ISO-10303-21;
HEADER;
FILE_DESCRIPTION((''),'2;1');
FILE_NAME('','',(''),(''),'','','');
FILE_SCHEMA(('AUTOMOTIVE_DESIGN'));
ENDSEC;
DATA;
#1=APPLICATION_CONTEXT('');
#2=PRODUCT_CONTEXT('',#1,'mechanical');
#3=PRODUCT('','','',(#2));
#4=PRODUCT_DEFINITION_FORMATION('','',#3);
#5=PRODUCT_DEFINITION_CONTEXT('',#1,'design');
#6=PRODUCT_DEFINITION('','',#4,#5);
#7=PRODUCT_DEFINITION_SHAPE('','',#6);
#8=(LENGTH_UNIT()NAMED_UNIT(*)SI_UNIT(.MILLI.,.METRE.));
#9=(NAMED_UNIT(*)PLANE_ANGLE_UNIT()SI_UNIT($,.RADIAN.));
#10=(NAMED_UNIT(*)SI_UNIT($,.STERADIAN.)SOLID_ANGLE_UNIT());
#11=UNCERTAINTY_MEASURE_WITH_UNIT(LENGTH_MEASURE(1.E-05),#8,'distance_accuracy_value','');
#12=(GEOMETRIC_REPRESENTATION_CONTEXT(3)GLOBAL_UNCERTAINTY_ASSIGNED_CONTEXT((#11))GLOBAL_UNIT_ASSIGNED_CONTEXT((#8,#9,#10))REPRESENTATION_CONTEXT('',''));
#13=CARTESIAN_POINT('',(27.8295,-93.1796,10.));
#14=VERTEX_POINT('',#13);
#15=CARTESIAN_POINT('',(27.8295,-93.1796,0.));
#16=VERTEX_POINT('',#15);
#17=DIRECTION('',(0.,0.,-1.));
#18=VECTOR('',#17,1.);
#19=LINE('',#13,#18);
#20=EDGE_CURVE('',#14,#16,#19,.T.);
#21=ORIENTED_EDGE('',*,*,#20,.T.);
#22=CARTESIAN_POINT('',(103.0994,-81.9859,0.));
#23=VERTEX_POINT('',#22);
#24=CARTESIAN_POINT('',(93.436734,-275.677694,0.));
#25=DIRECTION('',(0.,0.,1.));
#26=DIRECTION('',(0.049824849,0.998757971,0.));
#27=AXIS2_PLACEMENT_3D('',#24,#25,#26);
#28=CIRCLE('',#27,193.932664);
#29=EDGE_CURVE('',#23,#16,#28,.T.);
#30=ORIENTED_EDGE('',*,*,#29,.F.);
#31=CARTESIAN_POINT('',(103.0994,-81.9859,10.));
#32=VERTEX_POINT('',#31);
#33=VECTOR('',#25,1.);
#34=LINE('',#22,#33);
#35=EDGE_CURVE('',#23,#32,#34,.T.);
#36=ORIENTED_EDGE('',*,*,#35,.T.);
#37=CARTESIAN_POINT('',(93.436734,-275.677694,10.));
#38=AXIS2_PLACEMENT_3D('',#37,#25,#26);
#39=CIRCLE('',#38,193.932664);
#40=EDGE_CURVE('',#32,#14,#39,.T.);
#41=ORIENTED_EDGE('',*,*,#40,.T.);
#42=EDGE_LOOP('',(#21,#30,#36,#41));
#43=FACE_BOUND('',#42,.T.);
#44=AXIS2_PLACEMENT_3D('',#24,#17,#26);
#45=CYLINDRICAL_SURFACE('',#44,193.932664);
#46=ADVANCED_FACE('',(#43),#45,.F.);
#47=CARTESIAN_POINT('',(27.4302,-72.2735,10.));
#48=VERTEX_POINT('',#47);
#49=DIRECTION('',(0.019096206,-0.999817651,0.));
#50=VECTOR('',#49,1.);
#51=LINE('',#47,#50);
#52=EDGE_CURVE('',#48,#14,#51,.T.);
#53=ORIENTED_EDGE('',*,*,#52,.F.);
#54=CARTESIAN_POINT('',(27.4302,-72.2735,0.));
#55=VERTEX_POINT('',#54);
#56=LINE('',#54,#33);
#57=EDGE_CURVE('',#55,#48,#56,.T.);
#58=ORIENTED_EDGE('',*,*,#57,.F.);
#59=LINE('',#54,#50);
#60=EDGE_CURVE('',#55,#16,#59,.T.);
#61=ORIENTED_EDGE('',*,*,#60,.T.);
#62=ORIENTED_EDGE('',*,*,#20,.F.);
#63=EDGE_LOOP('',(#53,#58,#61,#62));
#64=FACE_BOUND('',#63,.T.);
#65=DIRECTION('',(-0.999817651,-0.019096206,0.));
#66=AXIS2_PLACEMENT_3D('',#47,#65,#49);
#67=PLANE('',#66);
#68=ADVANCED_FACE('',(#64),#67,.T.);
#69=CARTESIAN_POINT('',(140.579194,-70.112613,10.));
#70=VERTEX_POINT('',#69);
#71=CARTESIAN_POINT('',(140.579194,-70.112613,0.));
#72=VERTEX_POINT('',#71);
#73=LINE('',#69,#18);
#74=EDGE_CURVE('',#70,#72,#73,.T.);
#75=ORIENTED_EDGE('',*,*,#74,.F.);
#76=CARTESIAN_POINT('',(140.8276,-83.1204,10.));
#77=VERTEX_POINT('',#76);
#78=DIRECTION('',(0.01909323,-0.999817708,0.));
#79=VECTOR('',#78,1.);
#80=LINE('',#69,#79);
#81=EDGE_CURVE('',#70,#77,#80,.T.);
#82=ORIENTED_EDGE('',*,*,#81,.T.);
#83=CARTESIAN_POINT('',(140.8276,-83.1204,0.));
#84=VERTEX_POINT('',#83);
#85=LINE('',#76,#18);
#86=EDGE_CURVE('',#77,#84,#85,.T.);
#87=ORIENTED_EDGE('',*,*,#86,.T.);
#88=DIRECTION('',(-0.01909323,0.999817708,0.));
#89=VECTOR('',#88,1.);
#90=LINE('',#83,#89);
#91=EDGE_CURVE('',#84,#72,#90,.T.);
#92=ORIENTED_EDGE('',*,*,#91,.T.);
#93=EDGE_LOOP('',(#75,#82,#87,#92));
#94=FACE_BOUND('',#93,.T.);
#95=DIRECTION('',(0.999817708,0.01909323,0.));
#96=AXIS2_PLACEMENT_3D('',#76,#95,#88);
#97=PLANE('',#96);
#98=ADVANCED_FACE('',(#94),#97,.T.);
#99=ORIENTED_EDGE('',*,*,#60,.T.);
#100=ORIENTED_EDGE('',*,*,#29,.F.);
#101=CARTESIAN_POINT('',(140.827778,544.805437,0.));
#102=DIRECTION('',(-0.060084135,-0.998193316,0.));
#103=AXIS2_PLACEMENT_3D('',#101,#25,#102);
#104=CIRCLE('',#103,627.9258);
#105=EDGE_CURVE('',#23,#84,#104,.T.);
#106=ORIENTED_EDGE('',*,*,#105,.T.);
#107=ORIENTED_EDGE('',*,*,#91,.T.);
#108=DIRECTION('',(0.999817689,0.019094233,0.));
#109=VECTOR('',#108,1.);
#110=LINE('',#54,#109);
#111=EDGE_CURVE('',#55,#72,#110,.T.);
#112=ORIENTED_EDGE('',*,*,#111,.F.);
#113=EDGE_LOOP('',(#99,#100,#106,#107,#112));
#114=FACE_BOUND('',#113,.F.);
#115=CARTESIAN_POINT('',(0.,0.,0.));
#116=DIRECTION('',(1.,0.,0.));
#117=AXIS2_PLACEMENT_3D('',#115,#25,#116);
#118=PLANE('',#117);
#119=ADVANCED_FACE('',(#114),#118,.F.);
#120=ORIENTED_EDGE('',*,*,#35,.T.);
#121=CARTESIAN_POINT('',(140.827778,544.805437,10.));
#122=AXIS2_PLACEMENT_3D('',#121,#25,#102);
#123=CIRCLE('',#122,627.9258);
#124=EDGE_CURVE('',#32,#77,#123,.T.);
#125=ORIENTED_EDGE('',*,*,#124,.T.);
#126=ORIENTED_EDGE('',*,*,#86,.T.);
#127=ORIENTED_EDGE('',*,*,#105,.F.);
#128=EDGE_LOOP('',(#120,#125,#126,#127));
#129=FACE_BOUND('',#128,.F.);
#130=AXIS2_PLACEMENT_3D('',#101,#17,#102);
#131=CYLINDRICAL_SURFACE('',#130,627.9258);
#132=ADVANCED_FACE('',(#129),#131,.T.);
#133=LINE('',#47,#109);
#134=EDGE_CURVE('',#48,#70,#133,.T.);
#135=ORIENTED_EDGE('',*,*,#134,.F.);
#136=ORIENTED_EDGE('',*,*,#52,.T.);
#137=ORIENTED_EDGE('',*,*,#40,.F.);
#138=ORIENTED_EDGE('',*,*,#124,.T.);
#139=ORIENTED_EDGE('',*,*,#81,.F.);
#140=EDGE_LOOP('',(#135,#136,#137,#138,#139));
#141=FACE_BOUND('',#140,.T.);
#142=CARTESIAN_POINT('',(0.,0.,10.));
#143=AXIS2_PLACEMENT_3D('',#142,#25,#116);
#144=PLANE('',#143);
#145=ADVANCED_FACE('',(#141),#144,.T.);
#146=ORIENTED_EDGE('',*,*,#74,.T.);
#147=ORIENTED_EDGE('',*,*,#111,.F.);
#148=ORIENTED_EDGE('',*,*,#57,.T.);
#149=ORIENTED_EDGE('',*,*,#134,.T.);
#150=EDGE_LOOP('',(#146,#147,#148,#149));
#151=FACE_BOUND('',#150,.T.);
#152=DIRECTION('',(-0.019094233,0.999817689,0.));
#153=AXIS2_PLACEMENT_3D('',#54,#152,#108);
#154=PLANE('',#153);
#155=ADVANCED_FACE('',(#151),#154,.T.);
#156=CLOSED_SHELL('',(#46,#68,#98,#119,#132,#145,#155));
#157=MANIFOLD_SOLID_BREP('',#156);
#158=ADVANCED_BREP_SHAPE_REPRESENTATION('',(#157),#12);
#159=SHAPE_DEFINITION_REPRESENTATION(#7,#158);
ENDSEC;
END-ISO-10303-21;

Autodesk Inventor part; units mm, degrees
ref_plane "YZ Plane" through (0, 0, 0) normal (1, 0, 0) x (0, 1, 0)
ref_plane "XZ Plane" through (0, 0, 0) normal (0, 1, 0) x (-1, 0, 0)
ref_plane "XY Plane" through (0, 0, 0) normal (0, 0, 1) x (1, 0, 0)
sketch "Sketch1" plane through (0, 0, 0) normal (0, 0, 1) x (1, 0, 0)
  line L0 (0, 0) -> (293.4944, 0) construction
  line L1 (293.4944, 0) -> (293.4944, -132.0217) construction
  line L2 (293.4944, -132.0217) -> (0, -132.0217) construction
  line L3 (0, -132.0217) -> (0, 0) construction
  line L4 (79.3681, -56.3049) -> (159.3681, -56.3049) construction
  line L5 (283.1562, -93.1287) -> (274.2161, -88.6482) construction
  line L6 (283.1562, -93.1287) -> (282.3201, -93.1287) construction
  line L7 (18.3483, -97.5091) -> (27.4302, -93.3236) construction
  line L8 (18.3483, -97.5091) -> (20.5956, -97.5091) construction
  arc A0 (103.0994, -81.9859) -> (27.4302, -93.3236) centre (93.4367, -275.677) ccw
  arc A1 (274.2161, -88.6482) -> (204.4098, -79.893) centre (217.7822, -255.937) ccw
  arc A2 (103.0994, -81.9859) -> (204.4098, -79.893) centre (140.8276, 544.7964) ccw
  line L9 (27.4302, -93.3236) -> (27.4302, -72.2735)
  line L10 (27.4302, -72.2735) -> (272.6166, -67.591)
  line L11 (272.6166, -67.591) -> (274.2161, -88.6482)
  line L12 (103.0994, -81.9859) -> (86.3195, -71.1488) construction
  line L13 (204.4098, -79.893) -> (220.9707, -68.5773) construction
  line L14 (86.3195, -71.1488) -> (86.3195, -81.1488) construction
  line L15 (86.3195, -81.1488) -> (103.0994, -81.9859) construction
  line L16 (220.9707, -68.5773) -> (221.7303, -78.5773) construction
  line L17 (221.7303, -78.5773) -> (204.4098, -79.893) construction
  dimension "d5" = 80
  dimension "d85" = 10
  dimension "d87" = 26.619
  dimension "d92" = 10
  dimension "d94" = 24.743
  dimension "d100" = 22.985
  dimension "d101" = 22.755
  dimension "d106" = 10
  dimension "d111" = 10
  dimension "d112" = 30
  dimension "d113" = 30
extrude "Extrusion1" add sketch "Sketch1" along normal blind 10
sketch "Sketch2" plane through (0, 0, 10) normal (0, 0, 1) x (1, 0, 0)
  arc A0 (103.0994, -81.9859) -> (204.4098, -79.893) centre (140.8276, 544.7964) ccw projected
  line L0 (272.6166, -67.591) -> (27.4302, -72.2735) projected
  line L1 (27.4302, -72.2735) -> (27.4302, -93.3236) projected
  line L2 (274.2161, -88.6482) -> (272.6166, -67.591) projected
  line L3 (125.3768, -83.1204) -> (158.7723, -83.1204)
  line L4 (140.8276, -83.1204) -> (140.8276, -70.1078)
  line L5 (140.8276, -76.6141) -> (27.4302, -76.6141)
  line L6 (140.8276, -76.6141) -> (273.302, -76.6141)
  arc A1 (274.2161, -88.6482) -> (204.4098, -79.893) centre (217.7822, -255.937) ccw projected
  line L7 (274.2161, -88.6482) -> (272.6166, -67.591) projected
  line L8 (272.6166, -67.591) -> (27.4302, -72.2735) projected
  line L9 (27.4302, -72.2735) -> (27.4302, -93.3236) projected
  arc A2 (103.0994, -81.9859) -> (27.4302, -93.3236) centre (93.4367, -275.677) ccw projected
  arc A3 (103.0994, -81.9859) -> (204.4098, -79.893) centre (140.8276, 544.7964) ccw projected
  line L10 (140.8276, -83.1204) -> (140.4575, -63.7401)
  point P0 (0, 0)
  point P1 (204.4098, -79.893)
  point P2 (140.5792, -70.1126)
  point P3 (140.7034, -76.6141)
  dimension "d121" = 113.3974
  dimension "d122" = 132.4743
extrude "Extrusion2" cut sketch "Sketch2" against normal blind 10 contours L4 L6 L2 A1 A0 | L10 L5 L4 | L5 L10 L0 L4 | L4 L0 L2 L6
sketch "Sketch4" plane through (0, 0, 10) normal (0, 0, 1) x (1, 0, 0)
  line L0 (140.5792, -70.1126) -> (27.4302, -72.2735) projected
  line L1 (27.4302, -72.2735) -> (27.4302, -93.3236) projected
  arc A0 (103.0994, -81.9859) -> (27.4302, -93.3236) centre (93.4367, -275.677) ccw projected
  arc A1 (103.0994, -81.9859) -> (140.8276, -83.1204) centre (140.8276, 544.7964) ccw projected
  line L2 (27.4302, -72.2735) -> (27.4302, -93.3236) projected
  arc A2 (103.0994, -81.9859) -> (27.4302, -93.3236) centre (93.4367, -275.677) ccw projected
  line L3 (27.4302, -72.2735) -> (27.8295, -93.1796)
  line L4 (140.8276, -83.1204) -> (140.5792, -70.1126) projected
  point P0 (0, 0)
  point P1 (253.7282, -67.9517)
  dimension "d128" = 90
extrude "Extrusion4" cut sketch "Sketch4" against normal blind 10 contours L3 A0 L1
equation "\"d111\" = d106"
equation "\"d113\" = d112"
properties part number "deseczka_dol_check"
